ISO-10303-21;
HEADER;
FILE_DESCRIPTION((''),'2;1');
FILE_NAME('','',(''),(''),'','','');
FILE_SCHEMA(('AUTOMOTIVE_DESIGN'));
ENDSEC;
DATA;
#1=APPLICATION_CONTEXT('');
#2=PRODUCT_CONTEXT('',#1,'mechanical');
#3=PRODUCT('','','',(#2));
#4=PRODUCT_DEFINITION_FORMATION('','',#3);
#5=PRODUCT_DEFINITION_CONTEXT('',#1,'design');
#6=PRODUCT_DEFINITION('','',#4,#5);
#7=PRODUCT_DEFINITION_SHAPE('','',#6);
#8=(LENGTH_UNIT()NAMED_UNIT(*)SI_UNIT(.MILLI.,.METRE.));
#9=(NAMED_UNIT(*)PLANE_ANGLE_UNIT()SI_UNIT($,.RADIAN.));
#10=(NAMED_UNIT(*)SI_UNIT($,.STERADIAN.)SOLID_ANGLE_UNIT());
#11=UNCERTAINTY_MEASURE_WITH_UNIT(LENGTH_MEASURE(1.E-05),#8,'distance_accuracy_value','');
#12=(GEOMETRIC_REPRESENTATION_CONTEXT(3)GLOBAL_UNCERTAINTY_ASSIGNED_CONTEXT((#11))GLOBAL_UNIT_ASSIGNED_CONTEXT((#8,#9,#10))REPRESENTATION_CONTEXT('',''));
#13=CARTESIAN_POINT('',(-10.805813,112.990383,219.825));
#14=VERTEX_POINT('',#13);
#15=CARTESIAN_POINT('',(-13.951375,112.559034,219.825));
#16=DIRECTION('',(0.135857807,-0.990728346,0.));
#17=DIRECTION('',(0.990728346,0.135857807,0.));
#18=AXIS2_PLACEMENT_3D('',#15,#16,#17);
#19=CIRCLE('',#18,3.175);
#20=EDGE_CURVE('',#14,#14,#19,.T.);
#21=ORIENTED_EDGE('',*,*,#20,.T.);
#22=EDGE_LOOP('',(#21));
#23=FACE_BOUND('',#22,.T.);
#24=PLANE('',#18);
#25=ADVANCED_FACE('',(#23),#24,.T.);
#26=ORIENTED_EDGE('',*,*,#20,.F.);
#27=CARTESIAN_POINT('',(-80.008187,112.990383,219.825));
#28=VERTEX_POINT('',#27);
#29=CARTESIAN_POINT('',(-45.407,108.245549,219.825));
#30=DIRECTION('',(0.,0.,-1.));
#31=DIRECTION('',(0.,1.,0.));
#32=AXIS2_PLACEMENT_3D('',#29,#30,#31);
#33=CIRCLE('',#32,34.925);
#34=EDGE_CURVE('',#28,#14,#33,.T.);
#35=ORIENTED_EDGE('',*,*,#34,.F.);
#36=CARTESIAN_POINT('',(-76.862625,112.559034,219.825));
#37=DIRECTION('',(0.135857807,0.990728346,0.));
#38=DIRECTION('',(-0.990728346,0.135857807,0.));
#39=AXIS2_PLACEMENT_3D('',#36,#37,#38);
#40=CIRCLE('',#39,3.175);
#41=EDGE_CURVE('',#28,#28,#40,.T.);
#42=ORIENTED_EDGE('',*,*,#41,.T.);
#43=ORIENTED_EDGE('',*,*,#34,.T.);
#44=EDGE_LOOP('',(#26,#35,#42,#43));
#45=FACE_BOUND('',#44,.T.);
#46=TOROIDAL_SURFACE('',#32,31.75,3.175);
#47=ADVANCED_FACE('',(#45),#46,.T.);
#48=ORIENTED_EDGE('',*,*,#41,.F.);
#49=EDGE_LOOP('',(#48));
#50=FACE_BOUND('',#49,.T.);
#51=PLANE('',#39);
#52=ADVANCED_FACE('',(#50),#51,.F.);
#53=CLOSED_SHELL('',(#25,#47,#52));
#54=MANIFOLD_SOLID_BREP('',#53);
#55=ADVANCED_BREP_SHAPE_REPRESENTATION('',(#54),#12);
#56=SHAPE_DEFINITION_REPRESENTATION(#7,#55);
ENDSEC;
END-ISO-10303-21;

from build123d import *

# Parameters (mm, degrees)
SWEEP1_PROFILE_R = 3.175


with BuildPart() as part:
    # Sweep1: sweep along a curve in space
    with BuildLine() as sweep1_path:
        ThreePointArc((-76.862625, 112.559034405, 219.8250001), (-45.407000004, 139.995549026, 219.8250001), (-13.951375008, 112.559034405, 219.8250001))
    # Sweep1 profile (on start of the path) → Sweep1 (sweep)
    with BuildSketch(Plane(origin=(-76.862625, 112.559034405, 219.8250001), x_dir=(0.9907283463307061, -0.1358578071986462, 0), z_dir=(0.1358578071986462, 0.9907283463307061, 7.431141764645603e-14))):
        Circle(SWEEP1_PROFILE_R)
    sweep(path=sweep1_path.line)


solid = part.part
